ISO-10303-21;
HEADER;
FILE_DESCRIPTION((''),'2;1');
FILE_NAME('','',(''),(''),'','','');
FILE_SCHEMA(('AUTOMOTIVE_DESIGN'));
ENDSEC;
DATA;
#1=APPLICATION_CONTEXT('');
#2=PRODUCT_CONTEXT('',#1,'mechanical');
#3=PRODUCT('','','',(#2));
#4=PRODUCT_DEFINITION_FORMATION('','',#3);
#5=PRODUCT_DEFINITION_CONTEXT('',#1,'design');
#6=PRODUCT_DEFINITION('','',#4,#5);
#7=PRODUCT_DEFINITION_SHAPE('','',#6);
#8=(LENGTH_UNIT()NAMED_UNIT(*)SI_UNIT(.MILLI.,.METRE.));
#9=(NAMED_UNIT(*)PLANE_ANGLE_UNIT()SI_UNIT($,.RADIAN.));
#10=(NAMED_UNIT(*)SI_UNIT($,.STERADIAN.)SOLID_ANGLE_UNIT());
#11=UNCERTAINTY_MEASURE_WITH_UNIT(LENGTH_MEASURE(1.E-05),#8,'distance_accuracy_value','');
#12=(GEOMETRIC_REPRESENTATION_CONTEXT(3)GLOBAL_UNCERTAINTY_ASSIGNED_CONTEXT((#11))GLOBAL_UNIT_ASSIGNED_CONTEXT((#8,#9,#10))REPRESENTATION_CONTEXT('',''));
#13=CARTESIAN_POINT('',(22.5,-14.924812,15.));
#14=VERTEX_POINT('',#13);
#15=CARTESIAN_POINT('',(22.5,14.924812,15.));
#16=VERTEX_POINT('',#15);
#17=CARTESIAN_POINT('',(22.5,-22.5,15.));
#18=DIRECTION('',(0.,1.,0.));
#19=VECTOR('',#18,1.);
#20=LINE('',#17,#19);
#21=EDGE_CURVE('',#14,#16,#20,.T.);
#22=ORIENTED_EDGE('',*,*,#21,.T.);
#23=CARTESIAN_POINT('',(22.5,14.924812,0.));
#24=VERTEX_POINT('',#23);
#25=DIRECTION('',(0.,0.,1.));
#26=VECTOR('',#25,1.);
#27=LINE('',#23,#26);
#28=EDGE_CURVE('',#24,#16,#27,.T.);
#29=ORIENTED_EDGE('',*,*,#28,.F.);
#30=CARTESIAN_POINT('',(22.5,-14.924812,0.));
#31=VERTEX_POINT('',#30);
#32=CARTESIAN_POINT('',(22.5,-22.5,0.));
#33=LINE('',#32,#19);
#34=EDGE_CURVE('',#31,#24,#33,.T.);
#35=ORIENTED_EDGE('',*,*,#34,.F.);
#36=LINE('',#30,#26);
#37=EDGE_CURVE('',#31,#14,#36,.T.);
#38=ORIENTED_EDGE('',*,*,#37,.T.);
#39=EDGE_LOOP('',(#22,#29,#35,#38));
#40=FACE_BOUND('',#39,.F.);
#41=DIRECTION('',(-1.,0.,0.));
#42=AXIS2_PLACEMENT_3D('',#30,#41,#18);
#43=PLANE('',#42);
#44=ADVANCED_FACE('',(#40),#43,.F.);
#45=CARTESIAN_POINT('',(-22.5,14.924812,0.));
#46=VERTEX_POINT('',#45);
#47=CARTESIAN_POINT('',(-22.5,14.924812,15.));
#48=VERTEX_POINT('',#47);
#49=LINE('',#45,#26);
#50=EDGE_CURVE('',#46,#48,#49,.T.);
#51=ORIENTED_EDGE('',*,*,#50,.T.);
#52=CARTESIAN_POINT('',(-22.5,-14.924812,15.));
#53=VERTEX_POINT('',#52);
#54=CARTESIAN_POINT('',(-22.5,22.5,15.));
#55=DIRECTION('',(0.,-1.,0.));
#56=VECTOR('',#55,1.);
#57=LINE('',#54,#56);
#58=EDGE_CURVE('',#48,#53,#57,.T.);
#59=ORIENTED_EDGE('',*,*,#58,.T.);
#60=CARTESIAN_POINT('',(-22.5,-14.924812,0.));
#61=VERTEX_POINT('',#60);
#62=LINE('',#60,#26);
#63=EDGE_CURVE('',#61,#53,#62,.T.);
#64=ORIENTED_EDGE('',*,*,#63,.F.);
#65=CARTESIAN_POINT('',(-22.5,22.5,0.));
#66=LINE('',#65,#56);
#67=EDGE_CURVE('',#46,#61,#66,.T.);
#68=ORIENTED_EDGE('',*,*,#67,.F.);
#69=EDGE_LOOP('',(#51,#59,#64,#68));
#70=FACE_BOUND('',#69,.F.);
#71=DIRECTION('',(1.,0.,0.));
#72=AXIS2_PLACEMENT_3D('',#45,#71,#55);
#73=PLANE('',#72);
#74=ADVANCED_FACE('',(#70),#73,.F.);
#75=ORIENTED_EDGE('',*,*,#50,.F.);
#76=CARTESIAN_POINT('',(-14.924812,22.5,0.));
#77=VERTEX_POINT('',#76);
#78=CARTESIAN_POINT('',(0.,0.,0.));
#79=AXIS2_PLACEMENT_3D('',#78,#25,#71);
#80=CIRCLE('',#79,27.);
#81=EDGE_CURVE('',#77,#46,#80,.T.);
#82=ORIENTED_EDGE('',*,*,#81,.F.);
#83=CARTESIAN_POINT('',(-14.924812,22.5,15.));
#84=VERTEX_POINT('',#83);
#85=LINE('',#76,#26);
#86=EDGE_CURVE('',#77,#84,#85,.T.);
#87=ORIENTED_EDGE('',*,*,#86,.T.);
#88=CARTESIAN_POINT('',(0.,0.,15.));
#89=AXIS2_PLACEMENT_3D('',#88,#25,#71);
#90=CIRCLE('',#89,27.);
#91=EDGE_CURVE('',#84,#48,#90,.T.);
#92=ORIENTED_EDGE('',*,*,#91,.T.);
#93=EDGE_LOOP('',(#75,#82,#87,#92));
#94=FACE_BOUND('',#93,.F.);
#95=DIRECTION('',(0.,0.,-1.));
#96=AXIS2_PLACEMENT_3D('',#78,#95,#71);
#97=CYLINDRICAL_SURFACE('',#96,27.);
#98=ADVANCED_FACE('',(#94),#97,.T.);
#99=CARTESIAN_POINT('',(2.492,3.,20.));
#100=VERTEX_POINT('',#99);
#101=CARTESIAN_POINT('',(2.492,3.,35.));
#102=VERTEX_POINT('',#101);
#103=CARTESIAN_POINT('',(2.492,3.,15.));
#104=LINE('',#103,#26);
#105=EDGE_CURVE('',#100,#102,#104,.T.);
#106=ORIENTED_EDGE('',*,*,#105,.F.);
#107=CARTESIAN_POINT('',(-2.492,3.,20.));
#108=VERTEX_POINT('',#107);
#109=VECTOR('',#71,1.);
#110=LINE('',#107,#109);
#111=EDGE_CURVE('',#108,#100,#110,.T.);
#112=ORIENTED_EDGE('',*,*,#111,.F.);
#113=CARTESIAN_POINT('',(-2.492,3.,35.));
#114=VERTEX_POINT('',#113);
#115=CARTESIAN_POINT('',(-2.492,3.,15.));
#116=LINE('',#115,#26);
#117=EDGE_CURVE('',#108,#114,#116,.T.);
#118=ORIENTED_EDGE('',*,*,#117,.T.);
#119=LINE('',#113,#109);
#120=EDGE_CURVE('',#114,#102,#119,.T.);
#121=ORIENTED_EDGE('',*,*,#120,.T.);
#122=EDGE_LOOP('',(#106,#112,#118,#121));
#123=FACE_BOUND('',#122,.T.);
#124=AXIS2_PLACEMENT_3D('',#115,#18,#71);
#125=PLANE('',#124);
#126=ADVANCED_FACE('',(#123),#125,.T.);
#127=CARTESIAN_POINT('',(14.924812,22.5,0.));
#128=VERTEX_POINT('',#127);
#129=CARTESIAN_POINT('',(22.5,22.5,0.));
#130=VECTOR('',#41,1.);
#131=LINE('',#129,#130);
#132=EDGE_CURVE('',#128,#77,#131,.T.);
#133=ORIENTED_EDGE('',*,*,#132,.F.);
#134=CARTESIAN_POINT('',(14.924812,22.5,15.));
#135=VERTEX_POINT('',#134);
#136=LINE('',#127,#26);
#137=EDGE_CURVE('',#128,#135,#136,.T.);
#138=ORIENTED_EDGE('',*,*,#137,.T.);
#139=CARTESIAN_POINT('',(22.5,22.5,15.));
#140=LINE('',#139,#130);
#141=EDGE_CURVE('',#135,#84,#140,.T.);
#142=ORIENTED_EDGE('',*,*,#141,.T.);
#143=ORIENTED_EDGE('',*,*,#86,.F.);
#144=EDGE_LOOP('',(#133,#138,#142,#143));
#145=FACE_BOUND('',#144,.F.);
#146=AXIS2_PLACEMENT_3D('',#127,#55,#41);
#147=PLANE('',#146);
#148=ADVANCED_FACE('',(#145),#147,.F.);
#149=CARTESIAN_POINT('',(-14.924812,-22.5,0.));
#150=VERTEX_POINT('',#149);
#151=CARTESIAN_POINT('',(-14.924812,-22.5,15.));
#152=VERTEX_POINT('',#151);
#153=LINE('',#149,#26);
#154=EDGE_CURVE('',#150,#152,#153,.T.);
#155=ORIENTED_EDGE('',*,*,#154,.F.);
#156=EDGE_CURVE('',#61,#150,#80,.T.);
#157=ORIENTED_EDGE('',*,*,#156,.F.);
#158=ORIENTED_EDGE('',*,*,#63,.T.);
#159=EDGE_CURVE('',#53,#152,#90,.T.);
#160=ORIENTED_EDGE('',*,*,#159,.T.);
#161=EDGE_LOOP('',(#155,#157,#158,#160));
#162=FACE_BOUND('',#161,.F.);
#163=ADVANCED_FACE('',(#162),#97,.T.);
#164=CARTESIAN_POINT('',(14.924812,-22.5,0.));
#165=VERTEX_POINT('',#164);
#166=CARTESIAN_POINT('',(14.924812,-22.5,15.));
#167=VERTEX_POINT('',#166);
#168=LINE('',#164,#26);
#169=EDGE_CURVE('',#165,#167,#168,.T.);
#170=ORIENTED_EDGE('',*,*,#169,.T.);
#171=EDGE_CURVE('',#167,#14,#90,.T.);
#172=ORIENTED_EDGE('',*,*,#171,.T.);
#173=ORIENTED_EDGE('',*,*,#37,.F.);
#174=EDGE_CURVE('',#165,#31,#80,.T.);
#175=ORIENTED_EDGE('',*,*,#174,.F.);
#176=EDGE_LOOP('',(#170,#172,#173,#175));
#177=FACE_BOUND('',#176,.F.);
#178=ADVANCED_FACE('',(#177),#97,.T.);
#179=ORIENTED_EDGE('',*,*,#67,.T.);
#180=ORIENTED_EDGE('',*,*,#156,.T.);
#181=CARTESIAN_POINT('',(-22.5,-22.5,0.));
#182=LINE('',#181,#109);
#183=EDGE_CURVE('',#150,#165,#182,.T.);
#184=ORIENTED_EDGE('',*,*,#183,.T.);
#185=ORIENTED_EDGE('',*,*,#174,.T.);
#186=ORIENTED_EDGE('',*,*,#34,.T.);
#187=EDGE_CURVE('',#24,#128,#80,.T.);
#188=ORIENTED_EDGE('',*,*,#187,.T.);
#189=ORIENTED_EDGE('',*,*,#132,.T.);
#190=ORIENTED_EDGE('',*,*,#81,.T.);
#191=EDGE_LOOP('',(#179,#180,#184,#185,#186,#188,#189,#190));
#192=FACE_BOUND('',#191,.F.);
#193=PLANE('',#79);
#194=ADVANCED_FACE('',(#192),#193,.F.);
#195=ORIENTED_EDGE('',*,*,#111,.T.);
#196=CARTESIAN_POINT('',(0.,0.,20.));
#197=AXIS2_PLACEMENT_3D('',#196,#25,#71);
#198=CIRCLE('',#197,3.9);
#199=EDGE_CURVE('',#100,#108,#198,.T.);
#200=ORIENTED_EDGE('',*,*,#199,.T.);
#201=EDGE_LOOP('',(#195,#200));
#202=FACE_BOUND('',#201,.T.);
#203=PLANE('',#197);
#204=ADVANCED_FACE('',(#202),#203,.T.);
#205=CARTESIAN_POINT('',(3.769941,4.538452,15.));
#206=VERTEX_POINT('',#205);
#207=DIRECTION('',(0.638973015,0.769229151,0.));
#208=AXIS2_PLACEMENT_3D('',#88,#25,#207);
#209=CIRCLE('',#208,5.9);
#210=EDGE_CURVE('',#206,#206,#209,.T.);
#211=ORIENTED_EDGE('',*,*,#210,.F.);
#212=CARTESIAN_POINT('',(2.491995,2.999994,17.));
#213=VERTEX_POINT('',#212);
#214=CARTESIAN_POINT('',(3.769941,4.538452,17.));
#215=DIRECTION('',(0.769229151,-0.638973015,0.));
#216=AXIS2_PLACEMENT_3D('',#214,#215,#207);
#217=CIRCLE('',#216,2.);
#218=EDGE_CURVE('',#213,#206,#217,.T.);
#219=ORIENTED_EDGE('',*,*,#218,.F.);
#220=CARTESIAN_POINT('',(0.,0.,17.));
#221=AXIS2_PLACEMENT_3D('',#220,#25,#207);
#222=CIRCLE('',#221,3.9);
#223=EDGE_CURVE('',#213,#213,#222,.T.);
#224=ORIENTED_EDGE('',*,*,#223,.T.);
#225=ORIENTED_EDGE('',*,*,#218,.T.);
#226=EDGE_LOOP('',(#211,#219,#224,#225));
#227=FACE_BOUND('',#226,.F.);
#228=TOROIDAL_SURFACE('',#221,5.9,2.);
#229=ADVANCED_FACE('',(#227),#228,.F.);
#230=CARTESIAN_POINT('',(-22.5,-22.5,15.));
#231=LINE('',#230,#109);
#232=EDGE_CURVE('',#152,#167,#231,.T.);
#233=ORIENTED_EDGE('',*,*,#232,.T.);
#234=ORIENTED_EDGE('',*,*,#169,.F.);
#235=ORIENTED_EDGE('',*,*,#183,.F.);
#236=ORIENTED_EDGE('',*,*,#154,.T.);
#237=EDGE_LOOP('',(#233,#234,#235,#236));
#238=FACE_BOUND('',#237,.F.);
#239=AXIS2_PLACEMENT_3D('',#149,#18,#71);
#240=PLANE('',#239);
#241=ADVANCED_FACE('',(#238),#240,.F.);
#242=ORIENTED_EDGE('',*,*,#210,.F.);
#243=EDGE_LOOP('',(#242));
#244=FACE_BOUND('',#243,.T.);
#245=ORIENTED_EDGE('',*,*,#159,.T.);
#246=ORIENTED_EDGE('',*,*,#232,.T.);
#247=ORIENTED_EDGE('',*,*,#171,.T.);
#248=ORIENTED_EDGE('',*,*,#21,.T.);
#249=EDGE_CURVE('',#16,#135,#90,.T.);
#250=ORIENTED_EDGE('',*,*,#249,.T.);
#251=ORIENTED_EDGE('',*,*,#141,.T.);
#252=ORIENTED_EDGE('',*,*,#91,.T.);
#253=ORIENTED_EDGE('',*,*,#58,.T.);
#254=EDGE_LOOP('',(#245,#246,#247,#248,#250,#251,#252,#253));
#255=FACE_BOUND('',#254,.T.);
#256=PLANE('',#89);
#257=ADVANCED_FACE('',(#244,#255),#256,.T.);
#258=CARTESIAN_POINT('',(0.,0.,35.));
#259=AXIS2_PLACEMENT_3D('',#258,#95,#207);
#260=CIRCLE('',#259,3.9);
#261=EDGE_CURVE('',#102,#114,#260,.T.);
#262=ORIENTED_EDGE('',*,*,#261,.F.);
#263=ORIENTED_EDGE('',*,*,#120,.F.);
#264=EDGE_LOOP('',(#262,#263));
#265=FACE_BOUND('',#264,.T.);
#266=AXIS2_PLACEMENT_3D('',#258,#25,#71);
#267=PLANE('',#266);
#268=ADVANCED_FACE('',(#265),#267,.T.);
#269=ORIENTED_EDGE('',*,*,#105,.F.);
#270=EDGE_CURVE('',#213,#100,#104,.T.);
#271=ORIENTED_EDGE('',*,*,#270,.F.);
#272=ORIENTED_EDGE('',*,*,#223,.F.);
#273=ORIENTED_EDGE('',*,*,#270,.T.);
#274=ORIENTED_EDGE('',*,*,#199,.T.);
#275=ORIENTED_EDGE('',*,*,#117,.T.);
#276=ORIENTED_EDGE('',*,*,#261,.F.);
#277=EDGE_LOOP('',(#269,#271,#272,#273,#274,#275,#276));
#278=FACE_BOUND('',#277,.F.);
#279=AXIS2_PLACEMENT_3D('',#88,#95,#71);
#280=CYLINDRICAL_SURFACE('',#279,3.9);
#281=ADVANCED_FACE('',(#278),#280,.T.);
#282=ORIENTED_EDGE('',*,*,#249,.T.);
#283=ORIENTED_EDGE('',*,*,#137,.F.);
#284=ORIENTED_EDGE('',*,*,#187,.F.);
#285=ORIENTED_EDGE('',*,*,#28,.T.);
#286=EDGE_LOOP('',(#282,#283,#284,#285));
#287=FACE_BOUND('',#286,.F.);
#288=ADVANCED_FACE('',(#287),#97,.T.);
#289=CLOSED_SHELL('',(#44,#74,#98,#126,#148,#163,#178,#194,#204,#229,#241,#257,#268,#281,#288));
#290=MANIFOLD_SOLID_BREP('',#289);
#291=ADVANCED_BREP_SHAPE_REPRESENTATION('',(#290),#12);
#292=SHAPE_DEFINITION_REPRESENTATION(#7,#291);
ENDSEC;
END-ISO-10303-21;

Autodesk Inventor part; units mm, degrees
ref_plane "YZ Plane" through (0, 0, 0) normal (1, 0, 0) x (0, 1, 0)
ref_plane "XZ Plane" through (0, 0, 0) normal (0, 1, 0) x (-1, 0, 0)
ref_plane "XY Plane" through (0, 0, 0) normal (0, 0, 1) x (1, 0, 0)
sketch "스케치1" plane through (0, 0, 0) normal (0, 0, 1) x (1, 0, 0)
  circle A0 centre (0, 0) radius 27
  line L0 (-22.5, -22.5) -> (22.5, -22.5)
  line L1 (22.5, -22.5) -> (22.5, 22.5)
  line L2 (22.5, 22.5) -> (-22.5, 22.5)
  line L3 (-22.5, 22.5) -> (-22.5, -22.5)
  line L4 (-22.5, -22.5) -> (22.5, 22.5) construction
  line L5 (22.5, -22.5) -> (-22.5, 22.5) construction
  point P0 (-22.5, 14.9248)
  point P1 (-22.5, -14.9248)
  point P2 (-14.9248, -22.5)
  point P3 (14.9248, -22.5)
  point P4 (22.5, -14.9248)
  point P5 (22.5, 14.9248)
  point P6 (14.9248, 22.5)
  point P7 (-14.9248, 22.5)
  dimension "d0" = 54
  dimension "d5" = 45
  dimension "d6" = 45
extrude "돌출1" add sketch "스케치1" along normal blind 15 contours L1 A0 L0 L3 L2
sketch "스케치2" plane through (0, 0, 15) normal (0, 0, 1) x (1, 0, 0)
  point P0 (0, 0)
sketch "스케치3" plane through (0, 0, 15) normal (0, 0, 1) x (1, 0, 0)
  circle A0 centre (0, 0) radius 3.9
  line L0 (-2.492, 3) -> (2.492, 3)
  dimension "d7" = 7.8
  dimension "d8" = 3
extrude "돌출2" add sketch "스케치3" along normal blind 20 contours A0 L0 picked at (1.186, -0.6989)
extrude "돌출3" add sketch "스케치3" along normal blind 5 contours L0 A0 picked at (-0.5796, 3.1636)
fillet "모깎기1" radius 2 1 edges at (-2.492, -3, 15)
properties part number "손잡이 축"
